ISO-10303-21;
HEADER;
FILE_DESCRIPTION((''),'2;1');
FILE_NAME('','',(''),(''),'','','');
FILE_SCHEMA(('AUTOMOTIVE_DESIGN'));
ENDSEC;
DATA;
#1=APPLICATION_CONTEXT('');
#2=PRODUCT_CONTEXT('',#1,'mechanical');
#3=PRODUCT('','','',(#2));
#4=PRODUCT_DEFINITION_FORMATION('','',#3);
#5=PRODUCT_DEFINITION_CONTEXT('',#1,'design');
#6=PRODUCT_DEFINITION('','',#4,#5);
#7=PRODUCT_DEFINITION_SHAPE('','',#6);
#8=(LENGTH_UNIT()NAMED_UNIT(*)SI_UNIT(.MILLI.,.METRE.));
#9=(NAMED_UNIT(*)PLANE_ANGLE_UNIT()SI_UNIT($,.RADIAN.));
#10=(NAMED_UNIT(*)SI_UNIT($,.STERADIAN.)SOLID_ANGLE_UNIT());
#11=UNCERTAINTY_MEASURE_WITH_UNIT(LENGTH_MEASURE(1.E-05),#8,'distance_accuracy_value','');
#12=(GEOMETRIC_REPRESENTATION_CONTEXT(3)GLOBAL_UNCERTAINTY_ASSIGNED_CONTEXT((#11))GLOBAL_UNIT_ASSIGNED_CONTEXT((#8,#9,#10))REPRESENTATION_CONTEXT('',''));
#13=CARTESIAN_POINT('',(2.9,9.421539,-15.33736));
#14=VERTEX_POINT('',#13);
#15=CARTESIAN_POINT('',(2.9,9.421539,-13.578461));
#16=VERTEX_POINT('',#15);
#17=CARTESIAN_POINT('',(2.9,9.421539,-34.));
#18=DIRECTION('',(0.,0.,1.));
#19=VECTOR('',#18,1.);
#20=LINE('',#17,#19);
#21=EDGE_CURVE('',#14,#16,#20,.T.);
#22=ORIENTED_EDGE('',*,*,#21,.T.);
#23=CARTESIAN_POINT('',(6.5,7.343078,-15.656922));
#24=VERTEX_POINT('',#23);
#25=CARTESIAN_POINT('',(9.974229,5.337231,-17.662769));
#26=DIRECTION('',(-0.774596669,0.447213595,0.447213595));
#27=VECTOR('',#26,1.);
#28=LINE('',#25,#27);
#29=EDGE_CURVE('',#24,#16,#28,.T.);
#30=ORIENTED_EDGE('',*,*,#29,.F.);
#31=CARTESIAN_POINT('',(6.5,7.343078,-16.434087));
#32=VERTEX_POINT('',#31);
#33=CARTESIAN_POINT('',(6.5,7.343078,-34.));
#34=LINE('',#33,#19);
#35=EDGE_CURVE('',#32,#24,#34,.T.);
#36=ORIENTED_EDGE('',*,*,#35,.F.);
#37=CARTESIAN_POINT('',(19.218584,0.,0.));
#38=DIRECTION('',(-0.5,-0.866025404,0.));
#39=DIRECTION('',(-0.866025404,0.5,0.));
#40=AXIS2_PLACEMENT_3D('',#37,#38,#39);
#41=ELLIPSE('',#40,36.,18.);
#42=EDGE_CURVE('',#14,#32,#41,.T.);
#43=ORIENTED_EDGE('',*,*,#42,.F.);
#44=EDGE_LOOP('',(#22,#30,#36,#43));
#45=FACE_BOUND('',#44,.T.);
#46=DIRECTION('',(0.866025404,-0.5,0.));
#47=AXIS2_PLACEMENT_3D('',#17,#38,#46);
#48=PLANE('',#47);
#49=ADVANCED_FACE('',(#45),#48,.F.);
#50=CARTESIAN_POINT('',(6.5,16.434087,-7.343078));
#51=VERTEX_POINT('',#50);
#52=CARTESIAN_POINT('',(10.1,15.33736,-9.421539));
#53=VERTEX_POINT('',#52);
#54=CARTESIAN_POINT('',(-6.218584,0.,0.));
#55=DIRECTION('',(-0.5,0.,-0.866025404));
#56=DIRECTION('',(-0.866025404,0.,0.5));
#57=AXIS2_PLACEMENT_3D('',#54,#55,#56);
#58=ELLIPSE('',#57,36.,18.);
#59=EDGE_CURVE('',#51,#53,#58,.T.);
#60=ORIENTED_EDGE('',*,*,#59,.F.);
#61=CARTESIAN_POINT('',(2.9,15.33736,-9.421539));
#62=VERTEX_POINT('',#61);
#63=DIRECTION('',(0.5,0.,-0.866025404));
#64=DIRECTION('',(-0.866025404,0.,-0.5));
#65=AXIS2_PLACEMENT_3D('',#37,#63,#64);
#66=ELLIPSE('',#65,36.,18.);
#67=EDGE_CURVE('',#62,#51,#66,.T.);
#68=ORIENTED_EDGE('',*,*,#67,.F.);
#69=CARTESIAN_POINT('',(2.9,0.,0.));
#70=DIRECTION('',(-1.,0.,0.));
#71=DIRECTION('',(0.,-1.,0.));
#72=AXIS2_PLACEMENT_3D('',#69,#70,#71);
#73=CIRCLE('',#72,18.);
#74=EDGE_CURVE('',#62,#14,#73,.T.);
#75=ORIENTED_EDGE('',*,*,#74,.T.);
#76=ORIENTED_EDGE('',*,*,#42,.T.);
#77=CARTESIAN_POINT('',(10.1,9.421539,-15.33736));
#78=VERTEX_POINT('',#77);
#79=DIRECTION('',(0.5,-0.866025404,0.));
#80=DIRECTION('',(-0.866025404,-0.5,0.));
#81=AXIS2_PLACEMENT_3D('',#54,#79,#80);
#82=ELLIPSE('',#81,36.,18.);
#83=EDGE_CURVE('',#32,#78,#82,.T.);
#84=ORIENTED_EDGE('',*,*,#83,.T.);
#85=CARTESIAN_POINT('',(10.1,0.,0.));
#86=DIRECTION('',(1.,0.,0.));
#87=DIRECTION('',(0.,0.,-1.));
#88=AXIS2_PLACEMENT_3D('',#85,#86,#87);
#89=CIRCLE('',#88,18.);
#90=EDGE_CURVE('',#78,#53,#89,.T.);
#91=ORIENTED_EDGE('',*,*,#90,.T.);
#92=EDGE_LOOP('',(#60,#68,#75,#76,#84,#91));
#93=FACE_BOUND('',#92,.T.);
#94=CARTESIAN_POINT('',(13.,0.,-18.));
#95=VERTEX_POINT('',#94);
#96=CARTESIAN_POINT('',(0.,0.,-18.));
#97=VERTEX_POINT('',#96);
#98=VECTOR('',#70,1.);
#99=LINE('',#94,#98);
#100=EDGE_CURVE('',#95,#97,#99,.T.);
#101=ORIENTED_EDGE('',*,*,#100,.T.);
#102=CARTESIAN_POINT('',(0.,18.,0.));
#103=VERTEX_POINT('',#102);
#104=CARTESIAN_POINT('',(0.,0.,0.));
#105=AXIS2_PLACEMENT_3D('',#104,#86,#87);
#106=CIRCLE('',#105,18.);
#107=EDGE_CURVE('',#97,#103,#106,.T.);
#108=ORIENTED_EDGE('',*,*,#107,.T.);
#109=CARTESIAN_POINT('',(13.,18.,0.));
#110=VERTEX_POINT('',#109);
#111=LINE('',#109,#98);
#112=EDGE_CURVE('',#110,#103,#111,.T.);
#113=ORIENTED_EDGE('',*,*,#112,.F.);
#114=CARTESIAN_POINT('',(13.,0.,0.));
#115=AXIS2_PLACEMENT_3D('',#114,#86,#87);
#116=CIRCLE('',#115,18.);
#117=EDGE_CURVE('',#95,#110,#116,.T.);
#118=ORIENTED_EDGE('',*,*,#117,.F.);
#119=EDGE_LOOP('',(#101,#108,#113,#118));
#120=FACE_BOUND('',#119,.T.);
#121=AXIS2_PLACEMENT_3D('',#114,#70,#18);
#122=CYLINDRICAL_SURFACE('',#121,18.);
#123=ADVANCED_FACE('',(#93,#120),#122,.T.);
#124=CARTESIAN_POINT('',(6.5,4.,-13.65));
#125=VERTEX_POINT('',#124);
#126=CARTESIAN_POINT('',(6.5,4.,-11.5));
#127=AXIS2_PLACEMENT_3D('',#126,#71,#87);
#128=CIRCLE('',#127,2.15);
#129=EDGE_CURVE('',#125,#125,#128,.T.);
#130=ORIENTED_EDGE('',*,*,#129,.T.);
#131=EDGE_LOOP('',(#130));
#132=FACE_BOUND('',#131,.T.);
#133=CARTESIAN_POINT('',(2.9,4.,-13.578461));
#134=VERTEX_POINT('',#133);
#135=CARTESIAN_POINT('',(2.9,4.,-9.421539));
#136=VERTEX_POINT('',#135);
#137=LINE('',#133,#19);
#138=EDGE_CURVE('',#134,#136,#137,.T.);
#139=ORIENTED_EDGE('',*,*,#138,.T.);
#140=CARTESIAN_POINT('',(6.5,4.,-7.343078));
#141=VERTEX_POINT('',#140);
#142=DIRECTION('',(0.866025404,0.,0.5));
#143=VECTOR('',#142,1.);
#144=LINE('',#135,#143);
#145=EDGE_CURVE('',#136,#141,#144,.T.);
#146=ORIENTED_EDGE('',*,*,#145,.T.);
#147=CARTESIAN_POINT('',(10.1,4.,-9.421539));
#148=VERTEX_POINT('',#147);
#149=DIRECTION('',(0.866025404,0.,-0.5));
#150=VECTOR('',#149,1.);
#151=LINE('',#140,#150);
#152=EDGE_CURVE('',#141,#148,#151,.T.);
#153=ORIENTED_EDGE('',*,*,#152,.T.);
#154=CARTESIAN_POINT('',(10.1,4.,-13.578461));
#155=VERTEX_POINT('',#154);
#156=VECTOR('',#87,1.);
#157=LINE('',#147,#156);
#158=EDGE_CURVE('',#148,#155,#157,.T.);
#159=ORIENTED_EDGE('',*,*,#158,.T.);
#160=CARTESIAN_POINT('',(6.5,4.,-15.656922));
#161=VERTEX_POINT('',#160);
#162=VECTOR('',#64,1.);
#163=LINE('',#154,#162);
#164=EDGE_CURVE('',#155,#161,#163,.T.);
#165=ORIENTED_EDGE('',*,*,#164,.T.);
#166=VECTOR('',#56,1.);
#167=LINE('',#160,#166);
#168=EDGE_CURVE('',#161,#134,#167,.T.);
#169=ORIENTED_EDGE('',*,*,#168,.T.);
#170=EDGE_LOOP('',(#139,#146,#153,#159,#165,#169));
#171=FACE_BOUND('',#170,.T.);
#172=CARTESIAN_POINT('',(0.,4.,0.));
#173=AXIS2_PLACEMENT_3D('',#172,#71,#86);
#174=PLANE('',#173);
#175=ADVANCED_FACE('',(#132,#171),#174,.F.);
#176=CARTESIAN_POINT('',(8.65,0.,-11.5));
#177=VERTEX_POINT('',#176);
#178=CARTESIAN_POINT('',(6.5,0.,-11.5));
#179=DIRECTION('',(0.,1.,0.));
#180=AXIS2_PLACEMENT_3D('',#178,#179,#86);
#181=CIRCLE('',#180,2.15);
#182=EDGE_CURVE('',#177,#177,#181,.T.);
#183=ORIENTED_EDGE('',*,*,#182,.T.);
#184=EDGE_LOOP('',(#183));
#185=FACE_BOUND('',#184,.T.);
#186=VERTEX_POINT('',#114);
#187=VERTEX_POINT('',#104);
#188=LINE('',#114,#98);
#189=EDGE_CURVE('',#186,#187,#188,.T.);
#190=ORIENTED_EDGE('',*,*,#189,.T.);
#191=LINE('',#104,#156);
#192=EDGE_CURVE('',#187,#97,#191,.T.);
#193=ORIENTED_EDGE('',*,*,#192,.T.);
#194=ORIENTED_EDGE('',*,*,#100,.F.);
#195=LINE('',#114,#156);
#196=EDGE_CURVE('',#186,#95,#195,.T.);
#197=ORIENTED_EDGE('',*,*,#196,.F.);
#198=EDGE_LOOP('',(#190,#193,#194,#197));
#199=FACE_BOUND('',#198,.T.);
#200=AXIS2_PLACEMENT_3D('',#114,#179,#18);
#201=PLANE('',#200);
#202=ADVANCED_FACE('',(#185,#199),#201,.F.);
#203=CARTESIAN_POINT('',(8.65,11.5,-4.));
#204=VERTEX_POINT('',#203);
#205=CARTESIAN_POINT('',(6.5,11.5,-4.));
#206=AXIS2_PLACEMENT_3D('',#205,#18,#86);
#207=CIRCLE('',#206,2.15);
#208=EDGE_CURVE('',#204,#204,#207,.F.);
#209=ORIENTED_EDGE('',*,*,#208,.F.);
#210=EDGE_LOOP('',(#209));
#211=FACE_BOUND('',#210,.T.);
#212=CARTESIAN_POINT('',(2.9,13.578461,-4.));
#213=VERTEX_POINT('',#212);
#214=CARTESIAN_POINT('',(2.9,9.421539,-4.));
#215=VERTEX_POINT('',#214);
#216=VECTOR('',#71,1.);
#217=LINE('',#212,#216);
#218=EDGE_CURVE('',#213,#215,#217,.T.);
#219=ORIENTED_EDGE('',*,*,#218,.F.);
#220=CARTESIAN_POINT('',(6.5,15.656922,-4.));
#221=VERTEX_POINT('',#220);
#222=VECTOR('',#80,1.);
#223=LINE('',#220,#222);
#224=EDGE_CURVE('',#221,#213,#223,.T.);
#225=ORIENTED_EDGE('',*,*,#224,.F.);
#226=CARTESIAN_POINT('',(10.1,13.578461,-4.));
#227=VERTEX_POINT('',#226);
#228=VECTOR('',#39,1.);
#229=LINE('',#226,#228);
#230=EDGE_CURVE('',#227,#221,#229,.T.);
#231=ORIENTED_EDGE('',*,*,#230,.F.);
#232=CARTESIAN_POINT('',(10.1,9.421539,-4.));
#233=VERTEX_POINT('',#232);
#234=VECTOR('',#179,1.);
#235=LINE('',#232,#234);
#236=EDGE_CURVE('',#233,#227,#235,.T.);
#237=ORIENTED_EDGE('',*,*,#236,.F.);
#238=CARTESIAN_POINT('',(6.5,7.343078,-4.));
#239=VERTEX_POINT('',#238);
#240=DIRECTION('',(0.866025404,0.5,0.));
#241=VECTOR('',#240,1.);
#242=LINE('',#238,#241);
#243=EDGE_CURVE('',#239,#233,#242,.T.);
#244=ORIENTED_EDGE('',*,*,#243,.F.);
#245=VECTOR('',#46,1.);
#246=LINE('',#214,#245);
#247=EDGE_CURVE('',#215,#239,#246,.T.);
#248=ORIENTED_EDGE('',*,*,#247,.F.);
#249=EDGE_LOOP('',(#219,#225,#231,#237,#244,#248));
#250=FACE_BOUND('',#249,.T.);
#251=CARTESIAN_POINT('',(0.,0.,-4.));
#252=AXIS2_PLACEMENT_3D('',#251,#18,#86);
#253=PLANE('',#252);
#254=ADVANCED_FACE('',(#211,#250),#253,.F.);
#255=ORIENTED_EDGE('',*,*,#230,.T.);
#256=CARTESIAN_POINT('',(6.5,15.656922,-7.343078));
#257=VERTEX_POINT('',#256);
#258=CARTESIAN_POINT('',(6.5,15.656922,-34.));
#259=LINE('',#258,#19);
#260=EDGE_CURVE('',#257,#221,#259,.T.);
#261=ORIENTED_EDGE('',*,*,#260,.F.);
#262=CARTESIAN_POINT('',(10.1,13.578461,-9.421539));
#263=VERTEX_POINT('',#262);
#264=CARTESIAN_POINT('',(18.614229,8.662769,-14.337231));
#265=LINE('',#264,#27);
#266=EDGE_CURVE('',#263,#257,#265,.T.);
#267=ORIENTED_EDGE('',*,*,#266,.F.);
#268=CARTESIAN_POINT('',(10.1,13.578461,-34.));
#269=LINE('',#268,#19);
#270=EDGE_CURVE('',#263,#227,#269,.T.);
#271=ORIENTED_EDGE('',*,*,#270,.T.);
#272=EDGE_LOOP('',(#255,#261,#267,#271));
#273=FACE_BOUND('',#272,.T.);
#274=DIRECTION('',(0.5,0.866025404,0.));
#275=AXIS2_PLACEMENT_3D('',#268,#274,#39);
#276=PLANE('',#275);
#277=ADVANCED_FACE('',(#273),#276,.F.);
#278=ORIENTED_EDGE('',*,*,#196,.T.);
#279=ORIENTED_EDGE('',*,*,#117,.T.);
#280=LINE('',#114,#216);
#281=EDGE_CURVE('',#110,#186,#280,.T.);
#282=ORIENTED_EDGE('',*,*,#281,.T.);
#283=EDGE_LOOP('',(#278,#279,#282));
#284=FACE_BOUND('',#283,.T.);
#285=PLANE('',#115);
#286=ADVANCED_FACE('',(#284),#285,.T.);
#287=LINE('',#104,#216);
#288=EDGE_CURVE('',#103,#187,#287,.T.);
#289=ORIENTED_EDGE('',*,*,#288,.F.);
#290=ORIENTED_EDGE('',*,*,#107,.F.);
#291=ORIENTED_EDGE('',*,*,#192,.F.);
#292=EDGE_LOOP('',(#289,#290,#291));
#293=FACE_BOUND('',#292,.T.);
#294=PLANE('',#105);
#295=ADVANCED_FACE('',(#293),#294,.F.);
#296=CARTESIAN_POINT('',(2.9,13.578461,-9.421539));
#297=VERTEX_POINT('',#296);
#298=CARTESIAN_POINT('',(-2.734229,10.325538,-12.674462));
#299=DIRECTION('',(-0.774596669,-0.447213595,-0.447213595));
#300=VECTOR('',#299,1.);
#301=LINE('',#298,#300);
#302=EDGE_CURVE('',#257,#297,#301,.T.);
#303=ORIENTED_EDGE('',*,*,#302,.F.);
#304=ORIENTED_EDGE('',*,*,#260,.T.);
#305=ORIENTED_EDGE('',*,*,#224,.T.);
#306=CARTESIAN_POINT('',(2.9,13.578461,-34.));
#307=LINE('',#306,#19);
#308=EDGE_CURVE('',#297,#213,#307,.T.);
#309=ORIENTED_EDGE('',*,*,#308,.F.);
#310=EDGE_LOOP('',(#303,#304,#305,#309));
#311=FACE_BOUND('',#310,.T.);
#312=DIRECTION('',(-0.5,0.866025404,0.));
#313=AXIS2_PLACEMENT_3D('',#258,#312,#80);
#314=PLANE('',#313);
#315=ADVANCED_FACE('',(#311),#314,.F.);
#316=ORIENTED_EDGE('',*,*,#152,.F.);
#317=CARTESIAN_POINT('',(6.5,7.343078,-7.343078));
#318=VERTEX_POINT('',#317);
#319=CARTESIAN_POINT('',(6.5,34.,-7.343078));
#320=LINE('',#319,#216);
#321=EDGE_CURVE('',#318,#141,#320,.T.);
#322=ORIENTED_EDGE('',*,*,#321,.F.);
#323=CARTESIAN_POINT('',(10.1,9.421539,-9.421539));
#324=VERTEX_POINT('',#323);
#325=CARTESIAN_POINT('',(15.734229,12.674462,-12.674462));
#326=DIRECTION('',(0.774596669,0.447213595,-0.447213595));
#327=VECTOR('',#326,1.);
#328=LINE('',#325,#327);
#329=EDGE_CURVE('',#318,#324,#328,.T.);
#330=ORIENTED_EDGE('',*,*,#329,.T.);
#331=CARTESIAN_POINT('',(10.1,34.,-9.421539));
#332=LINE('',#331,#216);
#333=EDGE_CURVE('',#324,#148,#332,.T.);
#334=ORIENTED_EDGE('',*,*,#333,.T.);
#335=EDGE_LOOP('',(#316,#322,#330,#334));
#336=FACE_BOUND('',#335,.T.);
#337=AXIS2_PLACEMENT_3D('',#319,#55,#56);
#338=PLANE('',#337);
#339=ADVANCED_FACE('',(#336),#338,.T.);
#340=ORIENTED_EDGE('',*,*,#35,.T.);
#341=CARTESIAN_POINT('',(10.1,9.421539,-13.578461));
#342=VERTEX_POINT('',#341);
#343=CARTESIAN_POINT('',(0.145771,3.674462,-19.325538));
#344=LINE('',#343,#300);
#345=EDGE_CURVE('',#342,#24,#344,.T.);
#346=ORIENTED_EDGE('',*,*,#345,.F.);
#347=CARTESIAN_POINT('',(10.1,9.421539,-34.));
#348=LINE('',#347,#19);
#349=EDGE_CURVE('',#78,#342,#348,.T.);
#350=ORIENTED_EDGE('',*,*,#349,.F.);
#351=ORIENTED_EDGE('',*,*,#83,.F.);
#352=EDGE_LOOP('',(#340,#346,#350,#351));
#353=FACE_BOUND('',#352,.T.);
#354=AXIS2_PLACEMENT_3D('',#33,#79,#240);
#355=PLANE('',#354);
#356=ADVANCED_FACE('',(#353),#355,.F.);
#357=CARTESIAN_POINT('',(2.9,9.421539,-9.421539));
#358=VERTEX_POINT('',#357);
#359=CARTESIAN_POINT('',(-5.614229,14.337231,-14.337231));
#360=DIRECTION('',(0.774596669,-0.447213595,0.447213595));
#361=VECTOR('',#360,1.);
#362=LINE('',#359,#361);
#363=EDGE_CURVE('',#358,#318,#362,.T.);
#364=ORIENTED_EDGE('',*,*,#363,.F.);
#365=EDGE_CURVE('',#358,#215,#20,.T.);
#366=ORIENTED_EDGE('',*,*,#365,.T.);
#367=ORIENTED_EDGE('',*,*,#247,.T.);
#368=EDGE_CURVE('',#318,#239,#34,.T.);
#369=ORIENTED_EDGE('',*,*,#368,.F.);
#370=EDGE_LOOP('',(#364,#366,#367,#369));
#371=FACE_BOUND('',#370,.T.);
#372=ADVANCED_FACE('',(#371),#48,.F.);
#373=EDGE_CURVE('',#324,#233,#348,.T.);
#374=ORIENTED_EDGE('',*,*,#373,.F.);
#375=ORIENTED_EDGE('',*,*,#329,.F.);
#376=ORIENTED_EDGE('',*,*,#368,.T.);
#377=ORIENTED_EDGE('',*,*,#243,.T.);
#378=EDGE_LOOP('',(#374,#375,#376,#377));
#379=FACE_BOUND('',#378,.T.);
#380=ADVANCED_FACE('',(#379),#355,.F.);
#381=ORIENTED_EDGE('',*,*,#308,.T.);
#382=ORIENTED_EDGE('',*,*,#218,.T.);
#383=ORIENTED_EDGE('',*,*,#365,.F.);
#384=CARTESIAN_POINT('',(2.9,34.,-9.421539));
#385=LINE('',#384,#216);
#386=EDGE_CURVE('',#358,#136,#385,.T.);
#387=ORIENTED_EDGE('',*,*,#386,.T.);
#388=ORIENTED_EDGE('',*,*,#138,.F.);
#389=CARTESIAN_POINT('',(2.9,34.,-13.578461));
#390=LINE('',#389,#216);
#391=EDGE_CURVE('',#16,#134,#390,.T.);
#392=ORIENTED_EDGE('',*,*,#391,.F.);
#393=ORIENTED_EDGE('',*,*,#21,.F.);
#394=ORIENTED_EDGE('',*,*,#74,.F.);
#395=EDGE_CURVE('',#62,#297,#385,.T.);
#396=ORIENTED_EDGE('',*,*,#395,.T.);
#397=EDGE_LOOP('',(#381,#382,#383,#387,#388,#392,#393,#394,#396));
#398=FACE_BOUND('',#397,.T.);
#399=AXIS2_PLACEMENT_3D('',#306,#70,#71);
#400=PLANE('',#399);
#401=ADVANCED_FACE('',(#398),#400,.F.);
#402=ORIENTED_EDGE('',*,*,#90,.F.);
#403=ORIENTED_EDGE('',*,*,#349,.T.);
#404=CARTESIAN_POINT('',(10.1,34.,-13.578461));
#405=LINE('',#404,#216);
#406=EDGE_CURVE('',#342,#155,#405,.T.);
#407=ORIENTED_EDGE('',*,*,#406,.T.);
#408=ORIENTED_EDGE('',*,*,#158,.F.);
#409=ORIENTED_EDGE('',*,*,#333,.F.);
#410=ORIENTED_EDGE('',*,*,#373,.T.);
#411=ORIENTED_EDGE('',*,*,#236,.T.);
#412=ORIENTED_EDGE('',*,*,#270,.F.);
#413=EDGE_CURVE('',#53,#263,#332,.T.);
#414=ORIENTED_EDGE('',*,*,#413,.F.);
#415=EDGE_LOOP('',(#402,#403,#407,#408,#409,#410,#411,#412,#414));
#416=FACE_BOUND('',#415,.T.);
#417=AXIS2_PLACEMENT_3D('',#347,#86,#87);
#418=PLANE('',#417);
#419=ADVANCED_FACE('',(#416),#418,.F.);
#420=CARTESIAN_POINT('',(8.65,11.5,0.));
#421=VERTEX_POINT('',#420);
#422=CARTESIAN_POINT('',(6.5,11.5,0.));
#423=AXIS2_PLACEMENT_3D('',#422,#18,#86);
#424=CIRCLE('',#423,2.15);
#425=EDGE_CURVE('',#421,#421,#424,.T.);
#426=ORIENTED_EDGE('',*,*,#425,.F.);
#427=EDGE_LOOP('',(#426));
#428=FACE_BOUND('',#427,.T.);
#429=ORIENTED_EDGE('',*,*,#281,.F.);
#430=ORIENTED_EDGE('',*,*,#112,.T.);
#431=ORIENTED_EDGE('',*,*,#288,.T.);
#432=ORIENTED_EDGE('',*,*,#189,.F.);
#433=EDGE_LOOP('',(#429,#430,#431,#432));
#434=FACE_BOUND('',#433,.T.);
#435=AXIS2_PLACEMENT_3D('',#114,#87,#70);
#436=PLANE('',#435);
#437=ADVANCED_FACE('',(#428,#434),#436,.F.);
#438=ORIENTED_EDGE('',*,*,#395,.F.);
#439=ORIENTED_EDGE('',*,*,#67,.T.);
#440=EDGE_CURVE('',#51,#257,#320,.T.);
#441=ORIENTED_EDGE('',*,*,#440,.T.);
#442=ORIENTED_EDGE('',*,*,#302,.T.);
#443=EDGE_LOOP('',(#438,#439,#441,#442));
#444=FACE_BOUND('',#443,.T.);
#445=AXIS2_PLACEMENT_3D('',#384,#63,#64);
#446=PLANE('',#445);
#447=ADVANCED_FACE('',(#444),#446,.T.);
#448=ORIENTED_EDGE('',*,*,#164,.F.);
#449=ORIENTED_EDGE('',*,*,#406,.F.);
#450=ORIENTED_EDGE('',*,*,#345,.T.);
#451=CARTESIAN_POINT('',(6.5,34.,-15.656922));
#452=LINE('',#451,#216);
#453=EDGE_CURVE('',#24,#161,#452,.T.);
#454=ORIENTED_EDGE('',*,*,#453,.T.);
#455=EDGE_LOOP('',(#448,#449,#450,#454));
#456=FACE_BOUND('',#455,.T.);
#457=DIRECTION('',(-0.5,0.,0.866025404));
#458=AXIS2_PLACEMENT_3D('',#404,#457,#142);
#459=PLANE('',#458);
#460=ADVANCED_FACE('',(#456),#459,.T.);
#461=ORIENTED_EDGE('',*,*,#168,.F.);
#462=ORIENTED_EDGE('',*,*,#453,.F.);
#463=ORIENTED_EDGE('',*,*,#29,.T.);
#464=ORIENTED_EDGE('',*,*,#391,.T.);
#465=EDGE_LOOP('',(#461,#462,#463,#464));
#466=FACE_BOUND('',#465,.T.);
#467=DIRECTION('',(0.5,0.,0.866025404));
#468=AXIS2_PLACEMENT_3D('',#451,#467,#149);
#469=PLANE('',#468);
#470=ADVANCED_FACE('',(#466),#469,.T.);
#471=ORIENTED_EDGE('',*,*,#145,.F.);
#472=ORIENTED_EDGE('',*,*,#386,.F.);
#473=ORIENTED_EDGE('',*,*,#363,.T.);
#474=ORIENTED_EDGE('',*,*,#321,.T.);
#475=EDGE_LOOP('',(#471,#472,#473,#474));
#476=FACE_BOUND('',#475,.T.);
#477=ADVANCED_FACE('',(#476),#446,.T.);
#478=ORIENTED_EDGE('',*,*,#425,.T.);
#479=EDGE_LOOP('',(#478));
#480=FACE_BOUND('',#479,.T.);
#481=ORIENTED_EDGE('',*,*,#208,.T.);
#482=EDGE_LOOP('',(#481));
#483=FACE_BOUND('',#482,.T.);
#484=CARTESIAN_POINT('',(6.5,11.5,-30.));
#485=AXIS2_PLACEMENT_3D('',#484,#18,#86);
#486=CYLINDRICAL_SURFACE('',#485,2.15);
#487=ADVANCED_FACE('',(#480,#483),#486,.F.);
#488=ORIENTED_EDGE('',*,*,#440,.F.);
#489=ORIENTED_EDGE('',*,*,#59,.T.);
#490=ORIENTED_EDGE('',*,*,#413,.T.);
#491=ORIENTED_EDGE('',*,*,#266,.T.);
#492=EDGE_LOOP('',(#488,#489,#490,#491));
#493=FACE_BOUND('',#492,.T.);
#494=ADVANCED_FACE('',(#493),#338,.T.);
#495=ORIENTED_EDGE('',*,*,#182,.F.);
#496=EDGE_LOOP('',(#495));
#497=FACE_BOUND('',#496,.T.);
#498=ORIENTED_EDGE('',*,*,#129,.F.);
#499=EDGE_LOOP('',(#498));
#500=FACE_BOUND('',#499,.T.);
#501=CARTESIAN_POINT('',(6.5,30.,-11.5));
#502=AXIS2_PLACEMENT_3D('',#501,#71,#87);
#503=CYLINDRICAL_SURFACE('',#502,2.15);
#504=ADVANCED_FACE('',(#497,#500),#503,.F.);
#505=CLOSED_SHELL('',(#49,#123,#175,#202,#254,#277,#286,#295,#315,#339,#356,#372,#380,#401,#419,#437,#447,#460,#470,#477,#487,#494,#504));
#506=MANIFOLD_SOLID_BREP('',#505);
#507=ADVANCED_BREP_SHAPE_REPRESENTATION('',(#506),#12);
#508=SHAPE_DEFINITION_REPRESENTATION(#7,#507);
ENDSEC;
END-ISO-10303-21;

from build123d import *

# Parameters (mm, degrees)
EXTRUDE1_DEPTH = 13
SKETCH3_R      = 2.15
EXTRUDE2_DEPTH = 30
EXTRUDE3_START = -4
EXTRUDE3_DEPTH = 30


with BuildPart() as part:
    # Sketch2 → Extrude1 (new body)
    with BuildSketch(Plane(origin=(0, 0, 0), x_dir=(0, 0, -1), z_dir=(1, 0, 0))):
        with BuildLine():
            Line((0, 0), (18, 0))
            ThreePointArc((18, 0), (12.727922061, 12.727922061), (0, 18))
            Line((0, 18), (0, 0))
        make_face()
    extrude(amount=EXTRUDE1_DEPTH)

    # Sketch3 → Extrude2 (cut)
    with BuildSketch(Plane.XY):
        with Locations((6.5, 11.5)):
            Circle(SKETCH3_R)
    extrude2 = extrude(amount=-EXTRUDE2_DEPTH, mode=Mode.SUBTRACT)

    # Sketch5 → Extrude3 (cut)
    with BuildSketch(Plane.XY.offset(EXTRUDE3_START)):
        Polygon((6.5, 15.656921938), (2.9, 13.578460969), (2.9, 9.421539031), (6.5, 7.343078062), (10.1, 9.421539031), (10.1, 13.578460969), align=None)
    extrude3 = extrude(amount=-EXTRUDE3_DEPTH, mode=Mode.SUBTRACT)

    # Mirror1: Extrude2, Extrude3 across plane
    add(extrude2.mirror(Plane(origin=(0, 0, 0), x_dir=(0, -0.707106781, 0.707106781), z_dir=(0, 0.707106781, 0.707106781))), mode=Mode.SUBTRACT)
    add(extrude3.mirror(Plane(origin=(0, 0, 0), x_dir=(0, -0.707106781, 0.707106781), z_dir=(0, 0.707106781, 0.707106781))), mode=Mode.SUBTRACT)


solid = part.part
